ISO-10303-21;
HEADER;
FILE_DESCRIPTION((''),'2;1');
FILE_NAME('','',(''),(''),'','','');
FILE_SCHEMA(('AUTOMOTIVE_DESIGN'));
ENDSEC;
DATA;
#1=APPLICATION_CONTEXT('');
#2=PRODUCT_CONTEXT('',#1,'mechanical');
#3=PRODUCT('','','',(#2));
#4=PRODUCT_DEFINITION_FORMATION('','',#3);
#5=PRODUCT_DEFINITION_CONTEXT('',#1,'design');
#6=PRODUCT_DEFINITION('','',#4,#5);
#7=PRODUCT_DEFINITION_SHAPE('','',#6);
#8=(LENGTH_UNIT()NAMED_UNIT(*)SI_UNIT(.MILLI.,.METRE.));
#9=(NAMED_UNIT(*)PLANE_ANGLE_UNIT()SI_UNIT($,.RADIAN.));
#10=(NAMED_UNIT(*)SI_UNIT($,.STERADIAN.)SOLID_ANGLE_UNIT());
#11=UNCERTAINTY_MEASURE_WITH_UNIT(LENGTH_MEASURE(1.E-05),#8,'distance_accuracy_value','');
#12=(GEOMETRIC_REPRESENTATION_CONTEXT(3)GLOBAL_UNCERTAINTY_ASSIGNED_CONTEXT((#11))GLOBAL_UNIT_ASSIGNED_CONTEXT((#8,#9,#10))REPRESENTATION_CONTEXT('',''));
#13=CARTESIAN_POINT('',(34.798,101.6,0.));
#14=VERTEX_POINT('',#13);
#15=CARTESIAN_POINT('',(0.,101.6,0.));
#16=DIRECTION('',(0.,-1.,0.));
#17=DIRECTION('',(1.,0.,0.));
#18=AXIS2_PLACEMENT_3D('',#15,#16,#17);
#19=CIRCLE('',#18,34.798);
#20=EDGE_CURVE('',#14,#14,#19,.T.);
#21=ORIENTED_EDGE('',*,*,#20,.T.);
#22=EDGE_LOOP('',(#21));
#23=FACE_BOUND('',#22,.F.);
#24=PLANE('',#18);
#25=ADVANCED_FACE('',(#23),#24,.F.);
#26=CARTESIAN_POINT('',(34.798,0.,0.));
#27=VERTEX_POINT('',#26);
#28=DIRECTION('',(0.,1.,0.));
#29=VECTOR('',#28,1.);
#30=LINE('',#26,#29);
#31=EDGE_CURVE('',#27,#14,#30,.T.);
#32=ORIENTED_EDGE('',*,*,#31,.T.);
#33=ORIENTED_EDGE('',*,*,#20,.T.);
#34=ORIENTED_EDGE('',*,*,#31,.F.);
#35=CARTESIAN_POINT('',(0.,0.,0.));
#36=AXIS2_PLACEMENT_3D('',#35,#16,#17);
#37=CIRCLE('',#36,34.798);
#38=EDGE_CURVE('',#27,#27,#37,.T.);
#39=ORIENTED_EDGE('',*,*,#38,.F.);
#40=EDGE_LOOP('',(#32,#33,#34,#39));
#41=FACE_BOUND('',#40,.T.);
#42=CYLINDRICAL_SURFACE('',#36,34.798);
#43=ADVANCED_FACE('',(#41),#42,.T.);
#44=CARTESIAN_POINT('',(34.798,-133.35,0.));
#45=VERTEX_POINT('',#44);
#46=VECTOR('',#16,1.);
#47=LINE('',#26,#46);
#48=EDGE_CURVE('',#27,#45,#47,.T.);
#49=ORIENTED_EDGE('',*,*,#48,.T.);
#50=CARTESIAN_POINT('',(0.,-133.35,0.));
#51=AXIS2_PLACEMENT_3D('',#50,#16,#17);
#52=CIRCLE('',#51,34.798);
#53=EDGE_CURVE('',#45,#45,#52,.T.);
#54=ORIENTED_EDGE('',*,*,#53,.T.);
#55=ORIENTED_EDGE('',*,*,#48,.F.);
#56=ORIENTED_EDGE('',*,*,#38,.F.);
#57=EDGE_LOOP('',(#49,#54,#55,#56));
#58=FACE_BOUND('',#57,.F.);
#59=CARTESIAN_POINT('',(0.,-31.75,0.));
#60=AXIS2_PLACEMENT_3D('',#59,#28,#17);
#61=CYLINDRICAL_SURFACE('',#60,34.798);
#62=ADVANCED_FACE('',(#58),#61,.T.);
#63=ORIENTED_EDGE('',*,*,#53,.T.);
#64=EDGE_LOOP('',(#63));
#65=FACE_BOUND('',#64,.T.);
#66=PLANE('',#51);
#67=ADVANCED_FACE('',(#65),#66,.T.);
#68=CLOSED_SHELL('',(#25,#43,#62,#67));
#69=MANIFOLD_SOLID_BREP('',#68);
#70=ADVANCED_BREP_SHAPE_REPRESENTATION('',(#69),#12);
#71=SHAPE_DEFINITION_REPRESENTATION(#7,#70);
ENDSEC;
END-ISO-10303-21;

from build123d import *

# Parameters (mm, degrees)
F0_R     = 34.798
F1_DEPTH = 6.35
F2_DEPTH = 25.4
F3_DEPTH = 101.6
F4_DEPTH = 101.6


with BuildPart() as f1:
    # F0 (on Front) → F1 (new body)
    with BuildSketch(Plane.XZ):
        Circle(F0_R)
    extrude(amount=F1_DEPTH)

    # F2 (add): a face of the model
    f2_faces = [f1.faces().sort_by_distance(p)[0] for p in [
        (0, -6.35, 0),
    ]]
    extrude(f2_faces, amount=F2_DEPTH)

    # F3 (add): a face of the model
    f3_faces = [f1.faces().sort_by_distance(p)[0] for p in [
        (0, -31.75, 0),
    ]]
    extrude(f3_faces, amount=F3_DEPTH)

    # F4 (add): a face of the model
    f4_faces = [f1.faces().sort_by_distance(p)[0] for p in [
        (0, 0, 0),
    ]]
    extrude(f4_faces, amount=F4_DEPTH)


solid = f1.part
